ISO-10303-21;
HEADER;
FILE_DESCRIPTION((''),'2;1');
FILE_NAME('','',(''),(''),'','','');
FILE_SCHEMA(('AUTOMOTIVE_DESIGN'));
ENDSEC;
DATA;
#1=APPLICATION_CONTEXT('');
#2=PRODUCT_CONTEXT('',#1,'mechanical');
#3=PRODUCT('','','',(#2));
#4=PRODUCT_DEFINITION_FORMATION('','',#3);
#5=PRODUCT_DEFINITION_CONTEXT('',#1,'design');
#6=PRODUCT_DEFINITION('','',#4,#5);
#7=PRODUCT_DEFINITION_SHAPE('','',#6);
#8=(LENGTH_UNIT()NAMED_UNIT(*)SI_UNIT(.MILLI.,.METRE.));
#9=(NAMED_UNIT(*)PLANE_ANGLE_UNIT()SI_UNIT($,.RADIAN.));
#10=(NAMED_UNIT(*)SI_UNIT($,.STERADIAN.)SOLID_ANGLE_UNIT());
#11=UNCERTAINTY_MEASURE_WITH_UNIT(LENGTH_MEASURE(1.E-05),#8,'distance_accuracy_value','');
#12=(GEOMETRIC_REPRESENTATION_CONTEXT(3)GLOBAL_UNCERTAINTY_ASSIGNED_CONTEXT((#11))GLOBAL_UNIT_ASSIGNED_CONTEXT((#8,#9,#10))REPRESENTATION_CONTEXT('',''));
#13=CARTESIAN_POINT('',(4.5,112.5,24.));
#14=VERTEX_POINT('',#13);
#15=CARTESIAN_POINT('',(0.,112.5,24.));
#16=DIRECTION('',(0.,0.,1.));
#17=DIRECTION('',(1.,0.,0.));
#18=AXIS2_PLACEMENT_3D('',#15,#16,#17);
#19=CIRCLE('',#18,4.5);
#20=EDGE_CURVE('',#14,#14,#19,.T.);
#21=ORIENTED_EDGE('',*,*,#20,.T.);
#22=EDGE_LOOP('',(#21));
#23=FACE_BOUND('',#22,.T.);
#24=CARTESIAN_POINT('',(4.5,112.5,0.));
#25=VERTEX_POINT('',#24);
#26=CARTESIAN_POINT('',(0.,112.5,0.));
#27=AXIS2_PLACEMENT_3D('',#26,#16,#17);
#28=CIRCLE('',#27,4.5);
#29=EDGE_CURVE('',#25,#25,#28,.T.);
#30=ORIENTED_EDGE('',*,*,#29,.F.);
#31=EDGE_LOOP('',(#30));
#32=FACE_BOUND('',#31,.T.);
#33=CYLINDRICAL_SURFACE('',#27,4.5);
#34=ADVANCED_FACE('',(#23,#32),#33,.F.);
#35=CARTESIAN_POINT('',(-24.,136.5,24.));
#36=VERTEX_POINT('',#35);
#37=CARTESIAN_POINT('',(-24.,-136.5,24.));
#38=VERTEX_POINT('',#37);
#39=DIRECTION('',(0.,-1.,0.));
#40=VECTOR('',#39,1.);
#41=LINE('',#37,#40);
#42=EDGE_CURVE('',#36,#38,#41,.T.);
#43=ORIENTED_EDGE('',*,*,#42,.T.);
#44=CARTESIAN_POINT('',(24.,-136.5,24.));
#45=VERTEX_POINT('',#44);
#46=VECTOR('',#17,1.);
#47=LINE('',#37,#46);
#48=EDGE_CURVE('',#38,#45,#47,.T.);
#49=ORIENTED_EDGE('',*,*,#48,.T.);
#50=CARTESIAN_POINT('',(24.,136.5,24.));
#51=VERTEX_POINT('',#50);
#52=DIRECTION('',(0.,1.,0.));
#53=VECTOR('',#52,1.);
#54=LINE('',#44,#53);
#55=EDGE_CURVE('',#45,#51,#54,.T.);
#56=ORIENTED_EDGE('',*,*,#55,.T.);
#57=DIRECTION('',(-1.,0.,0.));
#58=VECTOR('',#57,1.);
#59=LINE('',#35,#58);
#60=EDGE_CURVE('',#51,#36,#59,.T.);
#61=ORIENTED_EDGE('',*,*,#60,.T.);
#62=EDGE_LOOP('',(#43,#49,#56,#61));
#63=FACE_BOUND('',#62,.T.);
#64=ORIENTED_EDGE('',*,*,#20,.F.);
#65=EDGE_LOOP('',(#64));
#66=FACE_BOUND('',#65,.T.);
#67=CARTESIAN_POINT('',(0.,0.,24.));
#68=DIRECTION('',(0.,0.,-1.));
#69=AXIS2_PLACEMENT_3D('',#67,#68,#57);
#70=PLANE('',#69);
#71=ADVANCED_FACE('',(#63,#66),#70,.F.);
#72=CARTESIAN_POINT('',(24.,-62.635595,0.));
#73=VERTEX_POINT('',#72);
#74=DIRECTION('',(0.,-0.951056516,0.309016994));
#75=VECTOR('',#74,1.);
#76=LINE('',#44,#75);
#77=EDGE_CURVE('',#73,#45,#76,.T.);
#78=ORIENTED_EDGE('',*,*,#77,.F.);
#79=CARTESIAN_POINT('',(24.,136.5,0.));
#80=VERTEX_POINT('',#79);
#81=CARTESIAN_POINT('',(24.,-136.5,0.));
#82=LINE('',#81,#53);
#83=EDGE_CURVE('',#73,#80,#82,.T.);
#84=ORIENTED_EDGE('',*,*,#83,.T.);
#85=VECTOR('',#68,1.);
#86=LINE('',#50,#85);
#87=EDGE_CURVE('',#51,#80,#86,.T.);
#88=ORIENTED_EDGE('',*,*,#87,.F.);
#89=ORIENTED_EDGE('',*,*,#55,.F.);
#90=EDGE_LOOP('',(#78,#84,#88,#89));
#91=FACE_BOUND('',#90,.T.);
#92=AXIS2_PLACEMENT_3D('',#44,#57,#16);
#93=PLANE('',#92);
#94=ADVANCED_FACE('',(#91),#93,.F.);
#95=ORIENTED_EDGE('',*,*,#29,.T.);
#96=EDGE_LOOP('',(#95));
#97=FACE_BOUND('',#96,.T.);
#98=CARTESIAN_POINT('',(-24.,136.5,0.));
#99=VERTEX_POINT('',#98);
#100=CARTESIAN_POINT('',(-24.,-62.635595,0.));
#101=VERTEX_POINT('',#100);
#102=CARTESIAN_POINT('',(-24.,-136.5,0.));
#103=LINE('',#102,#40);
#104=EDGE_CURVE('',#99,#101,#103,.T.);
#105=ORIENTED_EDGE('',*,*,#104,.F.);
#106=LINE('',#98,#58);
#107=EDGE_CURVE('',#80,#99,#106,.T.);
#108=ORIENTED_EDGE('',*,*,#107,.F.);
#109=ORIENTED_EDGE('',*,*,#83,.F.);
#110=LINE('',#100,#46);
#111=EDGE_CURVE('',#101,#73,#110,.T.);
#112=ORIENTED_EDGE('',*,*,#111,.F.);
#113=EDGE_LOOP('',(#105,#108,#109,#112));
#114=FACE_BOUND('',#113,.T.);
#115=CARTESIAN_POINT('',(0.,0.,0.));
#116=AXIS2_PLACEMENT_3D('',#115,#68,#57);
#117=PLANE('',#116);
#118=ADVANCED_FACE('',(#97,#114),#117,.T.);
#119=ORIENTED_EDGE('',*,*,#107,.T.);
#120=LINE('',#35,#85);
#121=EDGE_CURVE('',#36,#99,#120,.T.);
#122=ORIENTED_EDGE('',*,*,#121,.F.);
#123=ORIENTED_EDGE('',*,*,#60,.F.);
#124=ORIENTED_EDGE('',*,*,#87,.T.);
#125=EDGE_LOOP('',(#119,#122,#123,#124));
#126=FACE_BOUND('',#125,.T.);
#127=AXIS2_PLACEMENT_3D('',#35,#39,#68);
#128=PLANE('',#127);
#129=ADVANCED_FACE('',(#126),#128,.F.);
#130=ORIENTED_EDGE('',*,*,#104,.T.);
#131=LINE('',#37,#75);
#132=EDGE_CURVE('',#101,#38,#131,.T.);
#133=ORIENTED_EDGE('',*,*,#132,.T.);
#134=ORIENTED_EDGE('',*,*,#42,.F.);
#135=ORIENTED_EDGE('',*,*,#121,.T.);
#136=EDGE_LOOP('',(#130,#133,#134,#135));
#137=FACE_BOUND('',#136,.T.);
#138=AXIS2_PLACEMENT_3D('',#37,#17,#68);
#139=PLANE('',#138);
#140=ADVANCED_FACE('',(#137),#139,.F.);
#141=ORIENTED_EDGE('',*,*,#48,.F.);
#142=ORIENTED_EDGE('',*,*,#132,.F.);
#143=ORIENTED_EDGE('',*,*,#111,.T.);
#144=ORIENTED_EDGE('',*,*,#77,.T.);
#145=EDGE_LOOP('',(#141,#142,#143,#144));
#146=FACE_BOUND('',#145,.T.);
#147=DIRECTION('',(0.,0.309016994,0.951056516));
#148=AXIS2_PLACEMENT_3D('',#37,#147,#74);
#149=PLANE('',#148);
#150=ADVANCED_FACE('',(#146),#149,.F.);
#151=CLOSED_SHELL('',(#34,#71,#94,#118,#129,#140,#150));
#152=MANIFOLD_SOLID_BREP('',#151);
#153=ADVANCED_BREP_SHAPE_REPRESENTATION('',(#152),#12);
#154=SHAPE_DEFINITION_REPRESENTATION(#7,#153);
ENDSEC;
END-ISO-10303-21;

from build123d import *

# Parameters (mm, degrees)
ESQUISSE1_W             = 48
ESQUISSE1_H             = 273
BOSS_EXTRU_1_DEPTH      = 24
ENL_V_MAT_EXTRU_1_DEPTH = 147.670549191
ESQUISSE5_R             = 4.5
ENL_V_MAT_EXTRU_2_DEPTH = 141.656496473


with BuildPart() as part:
    # Esquisse1 → Boss.-Extru.1 (new body)
    with BuildSketch(Plane.XY):
        Rectangle(ESQUISSE1_W, ESQUISSE1_H)
    extrude(amount=BOSS_EXTRU_1_DEPTH)

    # Esquisse4 → Enlèv. mat.-Extru.1 (cut, through all)
    with BuildSketch(Plane(origin=(24, 0, 0), x_dir=(0, 0, -1), z_dir=(1, 0, 0))):
        Polygon((-24, -136.5), (0, -62.635595108), (0, -136.5), align=None)
    extrude(amount=-ENL_V_MAT_EXTRU_1_DEPTH, mode=Mode.SUBTRACT)

    # Esquisse5 → Enlèv. mat.-Extru.2 (cut, through all)
    with BuildSketch(Plane.XY.offset(24)):
        with Locations((0, 112.5)):
            Circle(ESQUISSE5_R)
    extrude(amount=-ENL_V_MAT_EXTRU_2_DEPTH, mode=Mode.SUBTRACT)


solid = part.part
